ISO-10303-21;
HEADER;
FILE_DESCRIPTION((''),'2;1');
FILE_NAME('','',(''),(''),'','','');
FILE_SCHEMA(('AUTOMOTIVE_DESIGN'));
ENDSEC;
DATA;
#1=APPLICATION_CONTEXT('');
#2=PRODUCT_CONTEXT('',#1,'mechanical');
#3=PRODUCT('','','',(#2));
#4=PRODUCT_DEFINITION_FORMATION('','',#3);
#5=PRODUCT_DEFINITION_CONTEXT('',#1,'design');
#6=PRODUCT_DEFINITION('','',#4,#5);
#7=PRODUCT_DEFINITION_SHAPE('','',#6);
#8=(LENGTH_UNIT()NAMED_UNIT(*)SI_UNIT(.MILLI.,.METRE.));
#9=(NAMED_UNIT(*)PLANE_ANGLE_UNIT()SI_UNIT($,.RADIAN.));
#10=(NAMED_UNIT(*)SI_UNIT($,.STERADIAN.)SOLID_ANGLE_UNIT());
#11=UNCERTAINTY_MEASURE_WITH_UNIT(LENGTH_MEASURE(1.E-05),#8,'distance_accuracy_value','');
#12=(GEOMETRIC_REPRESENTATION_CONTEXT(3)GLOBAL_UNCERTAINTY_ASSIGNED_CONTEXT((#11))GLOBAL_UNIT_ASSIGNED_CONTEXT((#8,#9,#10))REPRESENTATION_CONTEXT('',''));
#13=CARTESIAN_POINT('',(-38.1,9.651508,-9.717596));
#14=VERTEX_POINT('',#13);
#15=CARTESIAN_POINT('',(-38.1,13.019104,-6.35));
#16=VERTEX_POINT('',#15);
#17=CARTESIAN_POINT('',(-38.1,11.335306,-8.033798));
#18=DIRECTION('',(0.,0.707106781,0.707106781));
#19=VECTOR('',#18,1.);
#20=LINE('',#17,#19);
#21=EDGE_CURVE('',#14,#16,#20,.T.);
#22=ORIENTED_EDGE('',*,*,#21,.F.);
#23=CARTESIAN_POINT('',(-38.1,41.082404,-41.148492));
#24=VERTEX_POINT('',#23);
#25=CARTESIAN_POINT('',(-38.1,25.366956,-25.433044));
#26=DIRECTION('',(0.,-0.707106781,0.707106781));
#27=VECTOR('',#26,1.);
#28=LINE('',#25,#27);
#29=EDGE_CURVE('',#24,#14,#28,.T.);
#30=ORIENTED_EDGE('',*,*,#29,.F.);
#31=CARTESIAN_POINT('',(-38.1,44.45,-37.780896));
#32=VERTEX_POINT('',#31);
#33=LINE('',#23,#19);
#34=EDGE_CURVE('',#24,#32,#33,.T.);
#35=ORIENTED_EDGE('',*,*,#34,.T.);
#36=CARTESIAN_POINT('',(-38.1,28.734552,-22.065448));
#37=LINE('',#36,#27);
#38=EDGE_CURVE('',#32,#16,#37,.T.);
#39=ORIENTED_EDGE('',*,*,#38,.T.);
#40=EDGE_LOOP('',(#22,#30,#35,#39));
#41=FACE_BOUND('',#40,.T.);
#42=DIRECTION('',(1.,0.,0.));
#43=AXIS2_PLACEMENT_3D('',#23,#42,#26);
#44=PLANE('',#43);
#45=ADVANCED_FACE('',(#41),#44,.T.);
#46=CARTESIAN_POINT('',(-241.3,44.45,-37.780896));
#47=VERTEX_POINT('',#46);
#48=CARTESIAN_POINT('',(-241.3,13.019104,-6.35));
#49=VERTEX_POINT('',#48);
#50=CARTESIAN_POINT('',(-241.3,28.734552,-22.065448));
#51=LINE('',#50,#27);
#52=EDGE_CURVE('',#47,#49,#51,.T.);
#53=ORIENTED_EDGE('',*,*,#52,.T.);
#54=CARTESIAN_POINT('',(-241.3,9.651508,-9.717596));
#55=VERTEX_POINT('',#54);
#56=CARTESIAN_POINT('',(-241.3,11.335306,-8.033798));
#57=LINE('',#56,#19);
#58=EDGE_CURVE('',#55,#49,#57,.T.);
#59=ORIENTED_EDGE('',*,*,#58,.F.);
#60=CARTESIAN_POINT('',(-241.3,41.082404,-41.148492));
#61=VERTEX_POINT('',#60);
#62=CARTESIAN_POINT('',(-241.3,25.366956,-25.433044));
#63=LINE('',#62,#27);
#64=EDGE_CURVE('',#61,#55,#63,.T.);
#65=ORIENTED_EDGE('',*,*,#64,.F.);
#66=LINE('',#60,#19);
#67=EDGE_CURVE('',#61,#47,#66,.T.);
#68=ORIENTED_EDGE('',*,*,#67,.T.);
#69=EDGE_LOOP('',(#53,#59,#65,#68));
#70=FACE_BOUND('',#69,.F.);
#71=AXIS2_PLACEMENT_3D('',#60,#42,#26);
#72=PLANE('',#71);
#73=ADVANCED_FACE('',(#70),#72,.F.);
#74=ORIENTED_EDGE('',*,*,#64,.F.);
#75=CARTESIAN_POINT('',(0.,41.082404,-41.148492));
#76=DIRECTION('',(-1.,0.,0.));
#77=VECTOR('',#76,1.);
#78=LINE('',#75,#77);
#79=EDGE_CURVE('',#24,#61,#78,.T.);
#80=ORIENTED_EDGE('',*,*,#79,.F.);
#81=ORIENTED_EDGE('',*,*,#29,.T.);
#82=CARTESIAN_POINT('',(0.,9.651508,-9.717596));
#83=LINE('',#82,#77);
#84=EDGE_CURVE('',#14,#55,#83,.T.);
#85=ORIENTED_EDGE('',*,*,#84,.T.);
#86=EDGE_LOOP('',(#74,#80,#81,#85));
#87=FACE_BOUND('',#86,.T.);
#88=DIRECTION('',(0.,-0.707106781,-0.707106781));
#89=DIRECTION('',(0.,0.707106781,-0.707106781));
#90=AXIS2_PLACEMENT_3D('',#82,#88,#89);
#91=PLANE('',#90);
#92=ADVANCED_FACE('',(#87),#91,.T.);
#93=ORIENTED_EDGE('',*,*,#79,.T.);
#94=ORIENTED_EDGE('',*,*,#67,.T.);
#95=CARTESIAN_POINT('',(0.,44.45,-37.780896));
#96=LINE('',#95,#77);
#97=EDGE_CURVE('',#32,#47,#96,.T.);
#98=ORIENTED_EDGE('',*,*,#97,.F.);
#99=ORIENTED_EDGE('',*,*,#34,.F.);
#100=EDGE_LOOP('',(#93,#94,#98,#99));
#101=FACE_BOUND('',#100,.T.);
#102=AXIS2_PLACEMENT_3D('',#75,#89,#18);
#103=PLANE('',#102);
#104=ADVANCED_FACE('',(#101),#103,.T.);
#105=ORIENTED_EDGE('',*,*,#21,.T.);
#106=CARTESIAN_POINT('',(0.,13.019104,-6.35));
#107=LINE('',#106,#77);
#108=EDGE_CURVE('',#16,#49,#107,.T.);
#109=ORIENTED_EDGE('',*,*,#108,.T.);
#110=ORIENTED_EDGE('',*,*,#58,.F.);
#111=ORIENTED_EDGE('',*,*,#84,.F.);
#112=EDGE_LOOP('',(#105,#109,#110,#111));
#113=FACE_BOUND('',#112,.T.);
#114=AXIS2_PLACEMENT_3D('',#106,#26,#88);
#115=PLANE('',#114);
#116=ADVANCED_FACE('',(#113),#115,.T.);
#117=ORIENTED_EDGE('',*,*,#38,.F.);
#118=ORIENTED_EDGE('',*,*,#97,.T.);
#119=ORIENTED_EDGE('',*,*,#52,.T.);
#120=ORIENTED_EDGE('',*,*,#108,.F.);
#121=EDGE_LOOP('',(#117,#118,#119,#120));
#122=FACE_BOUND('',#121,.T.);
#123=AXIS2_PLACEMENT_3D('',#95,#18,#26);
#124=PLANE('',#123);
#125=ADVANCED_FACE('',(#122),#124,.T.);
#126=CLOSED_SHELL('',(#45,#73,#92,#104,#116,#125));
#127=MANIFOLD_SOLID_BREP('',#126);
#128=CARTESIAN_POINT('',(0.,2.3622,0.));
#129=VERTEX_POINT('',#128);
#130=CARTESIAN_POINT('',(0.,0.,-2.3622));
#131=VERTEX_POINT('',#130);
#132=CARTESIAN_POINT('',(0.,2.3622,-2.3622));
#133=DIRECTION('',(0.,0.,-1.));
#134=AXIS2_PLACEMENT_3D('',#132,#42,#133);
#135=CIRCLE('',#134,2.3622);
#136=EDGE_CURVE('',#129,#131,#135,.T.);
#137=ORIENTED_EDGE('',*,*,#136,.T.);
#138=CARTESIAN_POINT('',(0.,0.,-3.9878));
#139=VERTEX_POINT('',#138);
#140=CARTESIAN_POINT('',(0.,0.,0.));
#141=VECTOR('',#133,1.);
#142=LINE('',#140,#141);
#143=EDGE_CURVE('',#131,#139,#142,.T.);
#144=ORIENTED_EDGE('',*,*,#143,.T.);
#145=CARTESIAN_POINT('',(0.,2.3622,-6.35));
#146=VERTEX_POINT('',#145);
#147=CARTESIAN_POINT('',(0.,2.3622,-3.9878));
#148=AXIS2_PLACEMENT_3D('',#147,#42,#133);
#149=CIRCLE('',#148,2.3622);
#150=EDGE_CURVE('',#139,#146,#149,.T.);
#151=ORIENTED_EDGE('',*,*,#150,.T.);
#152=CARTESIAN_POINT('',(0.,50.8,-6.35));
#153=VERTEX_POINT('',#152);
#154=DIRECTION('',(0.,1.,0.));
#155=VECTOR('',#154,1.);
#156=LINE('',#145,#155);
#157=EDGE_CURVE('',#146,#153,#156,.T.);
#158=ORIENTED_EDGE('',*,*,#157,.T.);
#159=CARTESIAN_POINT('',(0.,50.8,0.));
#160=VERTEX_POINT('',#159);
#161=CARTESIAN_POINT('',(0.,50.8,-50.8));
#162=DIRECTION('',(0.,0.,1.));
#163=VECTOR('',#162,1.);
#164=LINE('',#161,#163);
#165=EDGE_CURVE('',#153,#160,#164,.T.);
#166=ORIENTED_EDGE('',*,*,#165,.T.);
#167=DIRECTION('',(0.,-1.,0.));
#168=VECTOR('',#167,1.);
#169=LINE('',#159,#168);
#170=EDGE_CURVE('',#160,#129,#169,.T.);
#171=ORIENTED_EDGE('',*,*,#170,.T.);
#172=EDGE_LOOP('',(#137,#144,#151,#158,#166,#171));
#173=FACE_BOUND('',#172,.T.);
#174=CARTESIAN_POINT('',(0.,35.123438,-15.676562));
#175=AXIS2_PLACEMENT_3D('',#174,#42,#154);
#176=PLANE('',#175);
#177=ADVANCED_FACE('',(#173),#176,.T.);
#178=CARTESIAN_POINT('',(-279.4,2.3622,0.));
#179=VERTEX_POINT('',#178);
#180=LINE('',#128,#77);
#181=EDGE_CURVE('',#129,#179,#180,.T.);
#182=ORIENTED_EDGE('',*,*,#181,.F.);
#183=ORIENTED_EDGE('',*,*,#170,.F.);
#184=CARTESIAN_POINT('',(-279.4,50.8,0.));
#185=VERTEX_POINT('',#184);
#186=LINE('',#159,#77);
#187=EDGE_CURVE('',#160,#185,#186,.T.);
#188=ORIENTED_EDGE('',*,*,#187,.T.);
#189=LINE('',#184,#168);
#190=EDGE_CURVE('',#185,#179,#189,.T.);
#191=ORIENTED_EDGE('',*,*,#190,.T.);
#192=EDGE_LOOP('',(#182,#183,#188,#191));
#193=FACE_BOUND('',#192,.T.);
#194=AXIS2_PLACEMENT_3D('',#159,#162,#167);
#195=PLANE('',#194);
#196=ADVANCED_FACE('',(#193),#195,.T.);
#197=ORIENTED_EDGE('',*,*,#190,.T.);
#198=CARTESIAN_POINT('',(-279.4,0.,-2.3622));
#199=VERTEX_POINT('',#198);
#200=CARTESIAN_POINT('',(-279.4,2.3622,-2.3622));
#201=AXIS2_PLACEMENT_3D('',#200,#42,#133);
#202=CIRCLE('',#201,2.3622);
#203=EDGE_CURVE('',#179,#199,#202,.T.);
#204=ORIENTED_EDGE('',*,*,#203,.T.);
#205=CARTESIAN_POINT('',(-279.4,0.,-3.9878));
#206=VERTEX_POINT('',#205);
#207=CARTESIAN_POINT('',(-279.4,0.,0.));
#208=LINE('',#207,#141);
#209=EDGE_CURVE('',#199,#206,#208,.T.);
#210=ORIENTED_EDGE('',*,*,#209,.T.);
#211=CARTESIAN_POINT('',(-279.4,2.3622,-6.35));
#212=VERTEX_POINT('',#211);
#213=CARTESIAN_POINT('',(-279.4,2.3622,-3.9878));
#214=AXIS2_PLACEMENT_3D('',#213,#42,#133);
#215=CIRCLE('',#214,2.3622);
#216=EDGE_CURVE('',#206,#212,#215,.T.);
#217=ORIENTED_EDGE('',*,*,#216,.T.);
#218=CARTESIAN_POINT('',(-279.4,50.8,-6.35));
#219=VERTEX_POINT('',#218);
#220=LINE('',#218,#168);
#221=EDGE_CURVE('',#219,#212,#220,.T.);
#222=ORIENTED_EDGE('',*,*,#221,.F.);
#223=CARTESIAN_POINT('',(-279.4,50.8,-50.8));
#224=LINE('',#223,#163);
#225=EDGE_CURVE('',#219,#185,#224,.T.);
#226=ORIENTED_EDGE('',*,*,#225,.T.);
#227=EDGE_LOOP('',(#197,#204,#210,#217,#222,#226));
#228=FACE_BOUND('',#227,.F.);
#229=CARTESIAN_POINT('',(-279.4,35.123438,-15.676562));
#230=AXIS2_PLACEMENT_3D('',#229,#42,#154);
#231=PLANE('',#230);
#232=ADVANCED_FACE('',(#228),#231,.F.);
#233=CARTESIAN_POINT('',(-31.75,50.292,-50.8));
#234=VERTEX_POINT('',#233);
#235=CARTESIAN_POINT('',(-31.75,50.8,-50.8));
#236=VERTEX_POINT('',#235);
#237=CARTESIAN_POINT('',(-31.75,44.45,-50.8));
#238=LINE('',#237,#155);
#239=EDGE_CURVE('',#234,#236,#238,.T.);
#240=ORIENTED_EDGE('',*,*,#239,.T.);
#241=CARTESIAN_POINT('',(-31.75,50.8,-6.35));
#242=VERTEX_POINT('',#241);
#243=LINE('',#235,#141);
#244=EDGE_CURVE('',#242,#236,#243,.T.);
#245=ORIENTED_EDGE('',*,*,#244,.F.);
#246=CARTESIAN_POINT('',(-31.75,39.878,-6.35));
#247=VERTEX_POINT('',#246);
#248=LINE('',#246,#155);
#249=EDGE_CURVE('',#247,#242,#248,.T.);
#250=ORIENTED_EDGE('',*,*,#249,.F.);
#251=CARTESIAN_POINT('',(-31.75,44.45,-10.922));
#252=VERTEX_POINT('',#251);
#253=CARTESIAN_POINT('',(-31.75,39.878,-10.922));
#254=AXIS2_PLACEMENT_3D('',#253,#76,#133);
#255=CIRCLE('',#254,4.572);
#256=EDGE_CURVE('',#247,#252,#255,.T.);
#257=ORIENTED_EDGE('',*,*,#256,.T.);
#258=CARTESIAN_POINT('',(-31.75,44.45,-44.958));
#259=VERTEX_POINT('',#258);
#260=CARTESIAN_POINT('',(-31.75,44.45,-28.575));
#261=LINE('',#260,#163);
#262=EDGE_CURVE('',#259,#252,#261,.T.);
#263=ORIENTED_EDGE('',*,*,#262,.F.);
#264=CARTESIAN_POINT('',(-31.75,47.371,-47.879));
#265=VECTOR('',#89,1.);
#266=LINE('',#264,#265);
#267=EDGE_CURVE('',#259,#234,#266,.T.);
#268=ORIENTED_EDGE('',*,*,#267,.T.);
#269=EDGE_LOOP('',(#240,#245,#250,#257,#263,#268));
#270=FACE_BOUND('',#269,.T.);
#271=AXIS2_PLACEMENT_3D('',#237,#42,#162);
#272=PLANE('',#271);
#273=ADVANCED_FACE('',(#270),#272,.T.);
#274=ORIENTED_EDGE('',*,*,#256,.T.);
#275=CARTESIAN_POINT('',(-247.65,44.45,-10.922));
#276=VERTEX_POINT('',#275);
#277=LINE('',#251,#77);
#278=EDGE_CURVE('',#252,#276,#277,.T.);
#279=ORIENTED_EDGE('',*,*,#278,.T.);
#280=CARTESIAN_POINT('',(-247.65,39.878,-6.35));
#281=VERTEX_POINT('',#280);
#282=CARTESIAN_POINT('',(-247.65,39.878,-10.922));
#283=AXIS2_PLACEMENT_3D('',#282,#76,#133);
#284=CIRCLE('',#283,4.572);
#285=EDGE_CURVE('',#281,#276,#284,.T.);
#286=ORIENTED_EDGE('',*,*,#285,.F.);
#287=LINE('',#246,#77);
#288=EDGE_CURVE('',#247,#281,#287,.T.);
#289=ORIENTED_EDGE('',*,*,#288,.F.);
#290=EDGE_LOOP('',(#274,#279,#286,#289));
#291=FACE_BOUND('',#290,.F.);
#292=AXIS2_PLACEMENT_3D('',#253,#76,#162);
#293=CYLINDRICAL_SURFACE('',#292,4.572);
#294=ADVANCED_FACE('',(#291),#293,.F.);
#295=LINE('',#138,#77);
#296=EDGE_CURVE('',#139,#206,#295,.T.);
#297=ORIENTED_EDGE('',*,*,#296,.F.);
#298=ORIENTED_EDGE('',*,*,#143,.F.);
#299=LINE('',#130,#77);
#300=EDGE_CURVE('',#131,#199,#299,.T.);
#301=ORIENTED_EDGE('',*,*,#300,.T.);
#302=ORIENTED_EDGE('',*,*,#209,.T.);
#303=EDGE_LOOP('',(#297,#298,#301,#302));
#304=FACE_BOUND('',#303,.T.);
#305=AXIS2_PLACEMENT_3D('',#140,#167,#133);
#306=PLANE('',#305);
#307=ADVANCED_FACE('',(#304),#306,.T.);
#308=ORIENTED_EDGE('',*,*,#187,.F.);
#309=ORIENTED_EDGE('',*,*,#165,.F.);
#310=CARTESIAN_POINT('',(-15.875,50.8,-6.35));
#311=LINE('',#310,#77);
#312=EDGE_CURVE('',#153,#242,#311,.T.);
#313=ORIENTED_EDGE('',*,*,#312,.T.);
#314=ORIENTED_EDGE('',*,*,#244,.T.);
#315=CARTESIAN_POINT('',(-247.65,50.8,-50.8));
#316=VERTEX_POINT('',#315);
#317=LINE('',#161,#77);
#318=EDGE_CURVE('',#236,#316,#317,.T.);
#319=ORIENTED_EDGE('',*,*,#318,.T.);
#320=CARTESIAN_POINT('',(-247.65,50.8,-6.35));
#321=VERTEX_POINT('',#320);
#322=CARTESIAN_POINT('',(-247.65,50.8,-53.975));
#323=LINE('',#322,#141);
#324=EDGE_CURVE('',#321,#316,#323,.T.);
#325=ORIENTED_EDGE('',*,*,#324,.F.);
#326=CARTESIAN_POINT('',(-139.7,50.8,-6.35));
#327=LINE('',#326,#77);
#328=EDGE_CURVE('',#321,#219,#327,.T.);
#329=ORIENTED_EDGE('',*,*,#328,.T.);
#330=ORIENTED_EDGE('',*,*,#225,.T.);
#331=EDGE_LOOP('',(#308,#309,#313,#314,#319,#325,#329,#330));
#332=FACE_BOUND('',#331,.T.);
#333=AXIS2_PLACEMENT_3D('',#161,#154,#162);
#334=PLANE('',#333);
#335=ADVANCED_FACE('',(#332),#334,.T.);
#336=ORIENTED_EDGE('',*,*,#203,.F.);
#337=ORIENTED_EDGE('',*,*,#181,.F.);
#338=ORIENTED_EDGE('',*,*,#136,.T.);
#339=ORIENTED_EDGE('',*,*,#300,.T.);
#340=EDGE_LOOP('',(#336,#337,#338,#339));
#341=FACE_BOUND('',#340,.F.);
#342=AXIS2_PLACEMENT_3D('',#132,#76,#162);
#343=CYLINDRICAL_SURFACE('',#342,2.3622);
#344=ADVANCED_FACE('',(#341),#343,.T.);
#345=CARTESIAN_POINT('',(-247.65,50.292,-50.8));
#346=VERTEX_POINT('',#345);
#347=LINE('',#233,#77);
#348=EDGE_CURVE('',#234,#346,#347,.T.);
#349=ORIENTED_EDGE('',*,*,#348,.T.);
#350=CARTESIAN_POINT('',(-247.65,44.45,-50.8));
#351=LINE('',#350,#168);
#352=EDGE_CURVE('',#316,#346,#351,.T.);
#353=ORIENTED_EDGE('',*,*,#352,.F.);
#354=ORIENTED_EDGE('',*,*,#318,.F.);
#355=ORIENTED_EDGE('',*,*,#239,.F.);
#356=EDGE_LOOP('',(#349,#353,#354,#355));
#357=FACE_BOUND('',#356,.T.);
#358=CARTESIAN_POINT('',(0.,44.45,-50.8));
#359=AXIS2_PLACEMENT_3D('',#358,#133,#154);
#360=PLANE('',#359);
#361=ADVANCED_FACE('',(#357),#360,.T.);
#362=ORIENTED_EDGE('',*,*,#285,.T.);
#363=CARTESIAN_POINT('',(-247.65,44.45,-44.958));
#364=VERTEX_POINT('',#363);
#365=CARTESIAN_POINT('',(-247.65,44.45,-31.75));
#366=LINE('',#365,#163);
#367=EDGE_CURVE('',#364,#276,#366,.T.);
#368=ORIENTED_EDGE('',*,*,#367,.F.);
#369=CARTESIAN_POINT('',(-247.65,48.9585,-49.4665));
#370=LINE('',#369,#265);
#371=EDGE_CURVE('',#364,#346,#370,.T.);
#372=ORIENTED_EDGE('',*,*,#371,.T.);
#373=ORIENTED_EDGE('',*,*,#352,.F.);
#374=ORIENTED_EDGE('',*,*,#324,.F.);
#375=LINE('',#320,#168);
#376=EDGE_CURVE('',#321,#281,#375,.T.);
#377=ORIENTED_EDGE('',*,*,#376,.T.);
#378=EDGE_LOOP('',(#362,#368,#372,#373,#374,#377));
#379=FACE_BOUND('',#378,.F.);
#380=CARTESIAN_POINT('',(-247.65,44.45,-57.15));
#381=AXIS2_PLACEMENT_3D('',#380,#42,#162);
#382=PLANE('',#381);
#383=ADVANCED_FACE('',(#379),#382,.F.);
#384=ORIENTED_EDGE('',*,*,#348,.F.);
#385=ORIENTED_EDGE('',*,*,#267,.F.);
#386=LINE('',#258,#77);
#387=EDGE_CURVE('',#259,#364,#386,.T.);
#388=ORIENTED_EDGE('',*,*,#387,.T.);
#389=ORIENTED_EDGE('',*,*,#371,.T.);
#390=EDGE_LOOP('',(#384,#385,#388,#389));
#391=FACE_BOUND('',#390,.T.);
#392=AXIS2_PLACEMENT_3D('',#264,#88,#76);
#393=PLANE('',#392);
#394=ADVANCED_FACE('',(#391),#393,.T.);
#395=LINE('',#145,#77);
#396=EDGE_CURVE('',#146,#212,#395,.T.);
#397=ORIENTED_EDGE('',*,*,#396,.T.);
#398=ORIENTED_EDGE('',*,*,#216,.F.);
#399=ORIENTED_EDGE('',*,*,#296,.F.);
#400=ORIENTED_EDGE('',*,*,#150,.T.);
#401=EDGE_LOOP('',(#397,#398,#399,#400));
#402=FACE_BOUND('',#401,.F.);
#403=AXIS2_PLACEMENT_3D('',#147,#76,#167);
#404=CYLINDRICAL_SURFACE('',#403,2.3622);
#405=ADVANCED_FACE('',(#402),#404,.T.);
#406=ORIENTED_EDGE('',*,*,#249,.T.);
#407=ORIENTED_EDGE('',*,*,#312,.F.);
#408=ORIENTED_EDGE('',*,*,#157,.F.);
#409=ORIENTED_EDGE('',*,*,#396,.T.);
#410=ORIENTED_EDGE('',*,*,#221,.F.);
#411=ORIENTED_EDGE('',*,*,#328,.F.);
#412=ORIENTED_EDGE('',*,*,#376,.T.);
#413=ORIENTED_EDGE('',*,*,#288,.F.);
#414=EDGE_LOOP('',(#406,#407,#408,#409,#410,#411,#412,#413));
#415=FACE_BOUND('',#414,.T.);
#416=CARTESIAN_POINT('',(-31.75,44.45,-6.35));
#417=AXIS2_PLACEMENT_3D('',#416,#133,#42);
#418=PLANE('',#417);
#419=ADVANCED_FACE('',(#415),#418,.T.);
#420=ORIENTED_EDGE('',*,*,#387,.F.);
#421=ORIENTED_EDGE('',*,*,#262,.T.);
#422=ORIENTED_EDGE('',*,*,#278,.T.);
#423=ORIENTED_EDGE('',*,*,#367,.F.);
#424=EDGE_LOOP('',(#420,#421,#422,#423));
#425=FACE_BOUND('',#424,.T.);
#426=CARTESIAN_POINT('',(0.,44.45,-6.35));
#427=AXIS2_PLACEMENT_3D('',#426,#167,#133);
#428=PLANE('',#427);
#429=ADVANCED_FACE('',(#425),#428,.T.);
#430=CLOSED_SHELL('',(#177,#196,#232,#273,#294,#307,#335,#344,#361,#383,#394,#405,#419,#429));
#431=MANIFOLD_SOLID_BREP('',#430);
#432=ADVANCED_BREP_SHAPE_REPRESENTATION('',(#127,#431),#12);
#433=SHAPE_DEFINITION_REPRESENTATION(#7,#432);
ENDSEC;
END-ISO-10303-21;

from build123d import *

# Parameters (mm, degrees)
F1_DEPTH  = 279.4
F2_R      = 2.3622
F4_DEPTH  = 279.4
F5_W      = 38.1
F5_H      = 44.45
F6_DEPTH  = 4.7625
F7_W      = 38.1
F7_H      = 44.45
F8_DEPTH  = 4.7625
F9_W      = 31.75
F9_H      = 44.45
F10_DEPTH = 25.4
F11_W     = 31.75
F11_H     = 50.8
F12_DEPTH = 25.4
F13_R     = 4.572
F14_SIZE  = 5.842


with BuildPart() as f1:
    # F0 (on Right) → F1 (new body)
    with BuildSketch(Plane.YZ):
        Polygon((50.8, 0), (0, 0), (0, -6.35), (44.45, -6.35), (44.45, -50.8), (50.8, -50.8), align=None)
    extrude(amount=-F1_DEPTH)

    # F2
    f2_edges = [f1.edges().sort_by_distance(p)[0] for p in [
        (-139.7, 0, -6.35),
        (-139.7, 0, 0),
    ]]
    fillet(f2_edges, radius=F2_R)

    # F9 (on face) → F10 (cut)
    with BuildSketch(Plane.XZ.offset(-44.45)):
        with Locations((-15.875, -28.575)):
            Rectangle(F9_W, F9_H)
    extrude(amount=-F10_DEPTH, mode=Mode.SUBTRACT)

    # F11 (on face) → F12 (cut)
    with BuildSketch(Plane.XZ.offset(-44.45)):
        with Locations((-263.525, -31.75)):
            Rectangle(F11_W, F11_H)
    extrude(amount=-F12_DEPTH, mode=Mode.SUBTRACT)

    # F13
    f13_edges = [f1.edges().sort_by_distance(p)[0] for p in [
        (-139.7, 44.45, -6.35),
    ]]
    fillet(f13_edges, radius=F13_R)

    # F14
    f14_edges = [f1.edges().sort_by_distance(p)[0] for p in [
        (-139.7, 44.45, -50.8),
    ]]
    chamfer(f14_edges, length=F14_SIZE)


with BuildPart() as f4:
    # F3 (on face) → F4 (new body)
    with BuildSketch(Plane.YZ):
        Polygon((44.45, -37.780896), (13.019104, -6.35), (9.651508, -9.717596), (41.082404, -41.148492), align=None)
    extrude(amount=-F4_DEPTH)

    # F5 (on face) → F6 (cut)
    with BuildSketch(Plane(origin=(0, -0.033044, -0.033044), x_dir=(1, 0, 0), z_dir=(0, -0.707107, -0.707107))):
        with Locations((-260.35, -35.921024)):
            Rectangle(F5_W, F5_H)
    extrude(amount=-F6_DEPTH, mode=Mode.SUBTRACT)

    # F7 (on face) → F8 (cut)
    with BuildSketch(Plane(origin=(0, -0.033044, -0.033044), x_dir=(1, 0, 0), z_dir=(0, -0.707107, -0.707107))):
        with Locations((-19.05, -35.921024)):
            Rectangle(F7_W, F7_H)
    extrude(amount=-F8_DEPTH, mode=Mode.SUBTRACT)


solid = Compound([f1.part, f4.part])
